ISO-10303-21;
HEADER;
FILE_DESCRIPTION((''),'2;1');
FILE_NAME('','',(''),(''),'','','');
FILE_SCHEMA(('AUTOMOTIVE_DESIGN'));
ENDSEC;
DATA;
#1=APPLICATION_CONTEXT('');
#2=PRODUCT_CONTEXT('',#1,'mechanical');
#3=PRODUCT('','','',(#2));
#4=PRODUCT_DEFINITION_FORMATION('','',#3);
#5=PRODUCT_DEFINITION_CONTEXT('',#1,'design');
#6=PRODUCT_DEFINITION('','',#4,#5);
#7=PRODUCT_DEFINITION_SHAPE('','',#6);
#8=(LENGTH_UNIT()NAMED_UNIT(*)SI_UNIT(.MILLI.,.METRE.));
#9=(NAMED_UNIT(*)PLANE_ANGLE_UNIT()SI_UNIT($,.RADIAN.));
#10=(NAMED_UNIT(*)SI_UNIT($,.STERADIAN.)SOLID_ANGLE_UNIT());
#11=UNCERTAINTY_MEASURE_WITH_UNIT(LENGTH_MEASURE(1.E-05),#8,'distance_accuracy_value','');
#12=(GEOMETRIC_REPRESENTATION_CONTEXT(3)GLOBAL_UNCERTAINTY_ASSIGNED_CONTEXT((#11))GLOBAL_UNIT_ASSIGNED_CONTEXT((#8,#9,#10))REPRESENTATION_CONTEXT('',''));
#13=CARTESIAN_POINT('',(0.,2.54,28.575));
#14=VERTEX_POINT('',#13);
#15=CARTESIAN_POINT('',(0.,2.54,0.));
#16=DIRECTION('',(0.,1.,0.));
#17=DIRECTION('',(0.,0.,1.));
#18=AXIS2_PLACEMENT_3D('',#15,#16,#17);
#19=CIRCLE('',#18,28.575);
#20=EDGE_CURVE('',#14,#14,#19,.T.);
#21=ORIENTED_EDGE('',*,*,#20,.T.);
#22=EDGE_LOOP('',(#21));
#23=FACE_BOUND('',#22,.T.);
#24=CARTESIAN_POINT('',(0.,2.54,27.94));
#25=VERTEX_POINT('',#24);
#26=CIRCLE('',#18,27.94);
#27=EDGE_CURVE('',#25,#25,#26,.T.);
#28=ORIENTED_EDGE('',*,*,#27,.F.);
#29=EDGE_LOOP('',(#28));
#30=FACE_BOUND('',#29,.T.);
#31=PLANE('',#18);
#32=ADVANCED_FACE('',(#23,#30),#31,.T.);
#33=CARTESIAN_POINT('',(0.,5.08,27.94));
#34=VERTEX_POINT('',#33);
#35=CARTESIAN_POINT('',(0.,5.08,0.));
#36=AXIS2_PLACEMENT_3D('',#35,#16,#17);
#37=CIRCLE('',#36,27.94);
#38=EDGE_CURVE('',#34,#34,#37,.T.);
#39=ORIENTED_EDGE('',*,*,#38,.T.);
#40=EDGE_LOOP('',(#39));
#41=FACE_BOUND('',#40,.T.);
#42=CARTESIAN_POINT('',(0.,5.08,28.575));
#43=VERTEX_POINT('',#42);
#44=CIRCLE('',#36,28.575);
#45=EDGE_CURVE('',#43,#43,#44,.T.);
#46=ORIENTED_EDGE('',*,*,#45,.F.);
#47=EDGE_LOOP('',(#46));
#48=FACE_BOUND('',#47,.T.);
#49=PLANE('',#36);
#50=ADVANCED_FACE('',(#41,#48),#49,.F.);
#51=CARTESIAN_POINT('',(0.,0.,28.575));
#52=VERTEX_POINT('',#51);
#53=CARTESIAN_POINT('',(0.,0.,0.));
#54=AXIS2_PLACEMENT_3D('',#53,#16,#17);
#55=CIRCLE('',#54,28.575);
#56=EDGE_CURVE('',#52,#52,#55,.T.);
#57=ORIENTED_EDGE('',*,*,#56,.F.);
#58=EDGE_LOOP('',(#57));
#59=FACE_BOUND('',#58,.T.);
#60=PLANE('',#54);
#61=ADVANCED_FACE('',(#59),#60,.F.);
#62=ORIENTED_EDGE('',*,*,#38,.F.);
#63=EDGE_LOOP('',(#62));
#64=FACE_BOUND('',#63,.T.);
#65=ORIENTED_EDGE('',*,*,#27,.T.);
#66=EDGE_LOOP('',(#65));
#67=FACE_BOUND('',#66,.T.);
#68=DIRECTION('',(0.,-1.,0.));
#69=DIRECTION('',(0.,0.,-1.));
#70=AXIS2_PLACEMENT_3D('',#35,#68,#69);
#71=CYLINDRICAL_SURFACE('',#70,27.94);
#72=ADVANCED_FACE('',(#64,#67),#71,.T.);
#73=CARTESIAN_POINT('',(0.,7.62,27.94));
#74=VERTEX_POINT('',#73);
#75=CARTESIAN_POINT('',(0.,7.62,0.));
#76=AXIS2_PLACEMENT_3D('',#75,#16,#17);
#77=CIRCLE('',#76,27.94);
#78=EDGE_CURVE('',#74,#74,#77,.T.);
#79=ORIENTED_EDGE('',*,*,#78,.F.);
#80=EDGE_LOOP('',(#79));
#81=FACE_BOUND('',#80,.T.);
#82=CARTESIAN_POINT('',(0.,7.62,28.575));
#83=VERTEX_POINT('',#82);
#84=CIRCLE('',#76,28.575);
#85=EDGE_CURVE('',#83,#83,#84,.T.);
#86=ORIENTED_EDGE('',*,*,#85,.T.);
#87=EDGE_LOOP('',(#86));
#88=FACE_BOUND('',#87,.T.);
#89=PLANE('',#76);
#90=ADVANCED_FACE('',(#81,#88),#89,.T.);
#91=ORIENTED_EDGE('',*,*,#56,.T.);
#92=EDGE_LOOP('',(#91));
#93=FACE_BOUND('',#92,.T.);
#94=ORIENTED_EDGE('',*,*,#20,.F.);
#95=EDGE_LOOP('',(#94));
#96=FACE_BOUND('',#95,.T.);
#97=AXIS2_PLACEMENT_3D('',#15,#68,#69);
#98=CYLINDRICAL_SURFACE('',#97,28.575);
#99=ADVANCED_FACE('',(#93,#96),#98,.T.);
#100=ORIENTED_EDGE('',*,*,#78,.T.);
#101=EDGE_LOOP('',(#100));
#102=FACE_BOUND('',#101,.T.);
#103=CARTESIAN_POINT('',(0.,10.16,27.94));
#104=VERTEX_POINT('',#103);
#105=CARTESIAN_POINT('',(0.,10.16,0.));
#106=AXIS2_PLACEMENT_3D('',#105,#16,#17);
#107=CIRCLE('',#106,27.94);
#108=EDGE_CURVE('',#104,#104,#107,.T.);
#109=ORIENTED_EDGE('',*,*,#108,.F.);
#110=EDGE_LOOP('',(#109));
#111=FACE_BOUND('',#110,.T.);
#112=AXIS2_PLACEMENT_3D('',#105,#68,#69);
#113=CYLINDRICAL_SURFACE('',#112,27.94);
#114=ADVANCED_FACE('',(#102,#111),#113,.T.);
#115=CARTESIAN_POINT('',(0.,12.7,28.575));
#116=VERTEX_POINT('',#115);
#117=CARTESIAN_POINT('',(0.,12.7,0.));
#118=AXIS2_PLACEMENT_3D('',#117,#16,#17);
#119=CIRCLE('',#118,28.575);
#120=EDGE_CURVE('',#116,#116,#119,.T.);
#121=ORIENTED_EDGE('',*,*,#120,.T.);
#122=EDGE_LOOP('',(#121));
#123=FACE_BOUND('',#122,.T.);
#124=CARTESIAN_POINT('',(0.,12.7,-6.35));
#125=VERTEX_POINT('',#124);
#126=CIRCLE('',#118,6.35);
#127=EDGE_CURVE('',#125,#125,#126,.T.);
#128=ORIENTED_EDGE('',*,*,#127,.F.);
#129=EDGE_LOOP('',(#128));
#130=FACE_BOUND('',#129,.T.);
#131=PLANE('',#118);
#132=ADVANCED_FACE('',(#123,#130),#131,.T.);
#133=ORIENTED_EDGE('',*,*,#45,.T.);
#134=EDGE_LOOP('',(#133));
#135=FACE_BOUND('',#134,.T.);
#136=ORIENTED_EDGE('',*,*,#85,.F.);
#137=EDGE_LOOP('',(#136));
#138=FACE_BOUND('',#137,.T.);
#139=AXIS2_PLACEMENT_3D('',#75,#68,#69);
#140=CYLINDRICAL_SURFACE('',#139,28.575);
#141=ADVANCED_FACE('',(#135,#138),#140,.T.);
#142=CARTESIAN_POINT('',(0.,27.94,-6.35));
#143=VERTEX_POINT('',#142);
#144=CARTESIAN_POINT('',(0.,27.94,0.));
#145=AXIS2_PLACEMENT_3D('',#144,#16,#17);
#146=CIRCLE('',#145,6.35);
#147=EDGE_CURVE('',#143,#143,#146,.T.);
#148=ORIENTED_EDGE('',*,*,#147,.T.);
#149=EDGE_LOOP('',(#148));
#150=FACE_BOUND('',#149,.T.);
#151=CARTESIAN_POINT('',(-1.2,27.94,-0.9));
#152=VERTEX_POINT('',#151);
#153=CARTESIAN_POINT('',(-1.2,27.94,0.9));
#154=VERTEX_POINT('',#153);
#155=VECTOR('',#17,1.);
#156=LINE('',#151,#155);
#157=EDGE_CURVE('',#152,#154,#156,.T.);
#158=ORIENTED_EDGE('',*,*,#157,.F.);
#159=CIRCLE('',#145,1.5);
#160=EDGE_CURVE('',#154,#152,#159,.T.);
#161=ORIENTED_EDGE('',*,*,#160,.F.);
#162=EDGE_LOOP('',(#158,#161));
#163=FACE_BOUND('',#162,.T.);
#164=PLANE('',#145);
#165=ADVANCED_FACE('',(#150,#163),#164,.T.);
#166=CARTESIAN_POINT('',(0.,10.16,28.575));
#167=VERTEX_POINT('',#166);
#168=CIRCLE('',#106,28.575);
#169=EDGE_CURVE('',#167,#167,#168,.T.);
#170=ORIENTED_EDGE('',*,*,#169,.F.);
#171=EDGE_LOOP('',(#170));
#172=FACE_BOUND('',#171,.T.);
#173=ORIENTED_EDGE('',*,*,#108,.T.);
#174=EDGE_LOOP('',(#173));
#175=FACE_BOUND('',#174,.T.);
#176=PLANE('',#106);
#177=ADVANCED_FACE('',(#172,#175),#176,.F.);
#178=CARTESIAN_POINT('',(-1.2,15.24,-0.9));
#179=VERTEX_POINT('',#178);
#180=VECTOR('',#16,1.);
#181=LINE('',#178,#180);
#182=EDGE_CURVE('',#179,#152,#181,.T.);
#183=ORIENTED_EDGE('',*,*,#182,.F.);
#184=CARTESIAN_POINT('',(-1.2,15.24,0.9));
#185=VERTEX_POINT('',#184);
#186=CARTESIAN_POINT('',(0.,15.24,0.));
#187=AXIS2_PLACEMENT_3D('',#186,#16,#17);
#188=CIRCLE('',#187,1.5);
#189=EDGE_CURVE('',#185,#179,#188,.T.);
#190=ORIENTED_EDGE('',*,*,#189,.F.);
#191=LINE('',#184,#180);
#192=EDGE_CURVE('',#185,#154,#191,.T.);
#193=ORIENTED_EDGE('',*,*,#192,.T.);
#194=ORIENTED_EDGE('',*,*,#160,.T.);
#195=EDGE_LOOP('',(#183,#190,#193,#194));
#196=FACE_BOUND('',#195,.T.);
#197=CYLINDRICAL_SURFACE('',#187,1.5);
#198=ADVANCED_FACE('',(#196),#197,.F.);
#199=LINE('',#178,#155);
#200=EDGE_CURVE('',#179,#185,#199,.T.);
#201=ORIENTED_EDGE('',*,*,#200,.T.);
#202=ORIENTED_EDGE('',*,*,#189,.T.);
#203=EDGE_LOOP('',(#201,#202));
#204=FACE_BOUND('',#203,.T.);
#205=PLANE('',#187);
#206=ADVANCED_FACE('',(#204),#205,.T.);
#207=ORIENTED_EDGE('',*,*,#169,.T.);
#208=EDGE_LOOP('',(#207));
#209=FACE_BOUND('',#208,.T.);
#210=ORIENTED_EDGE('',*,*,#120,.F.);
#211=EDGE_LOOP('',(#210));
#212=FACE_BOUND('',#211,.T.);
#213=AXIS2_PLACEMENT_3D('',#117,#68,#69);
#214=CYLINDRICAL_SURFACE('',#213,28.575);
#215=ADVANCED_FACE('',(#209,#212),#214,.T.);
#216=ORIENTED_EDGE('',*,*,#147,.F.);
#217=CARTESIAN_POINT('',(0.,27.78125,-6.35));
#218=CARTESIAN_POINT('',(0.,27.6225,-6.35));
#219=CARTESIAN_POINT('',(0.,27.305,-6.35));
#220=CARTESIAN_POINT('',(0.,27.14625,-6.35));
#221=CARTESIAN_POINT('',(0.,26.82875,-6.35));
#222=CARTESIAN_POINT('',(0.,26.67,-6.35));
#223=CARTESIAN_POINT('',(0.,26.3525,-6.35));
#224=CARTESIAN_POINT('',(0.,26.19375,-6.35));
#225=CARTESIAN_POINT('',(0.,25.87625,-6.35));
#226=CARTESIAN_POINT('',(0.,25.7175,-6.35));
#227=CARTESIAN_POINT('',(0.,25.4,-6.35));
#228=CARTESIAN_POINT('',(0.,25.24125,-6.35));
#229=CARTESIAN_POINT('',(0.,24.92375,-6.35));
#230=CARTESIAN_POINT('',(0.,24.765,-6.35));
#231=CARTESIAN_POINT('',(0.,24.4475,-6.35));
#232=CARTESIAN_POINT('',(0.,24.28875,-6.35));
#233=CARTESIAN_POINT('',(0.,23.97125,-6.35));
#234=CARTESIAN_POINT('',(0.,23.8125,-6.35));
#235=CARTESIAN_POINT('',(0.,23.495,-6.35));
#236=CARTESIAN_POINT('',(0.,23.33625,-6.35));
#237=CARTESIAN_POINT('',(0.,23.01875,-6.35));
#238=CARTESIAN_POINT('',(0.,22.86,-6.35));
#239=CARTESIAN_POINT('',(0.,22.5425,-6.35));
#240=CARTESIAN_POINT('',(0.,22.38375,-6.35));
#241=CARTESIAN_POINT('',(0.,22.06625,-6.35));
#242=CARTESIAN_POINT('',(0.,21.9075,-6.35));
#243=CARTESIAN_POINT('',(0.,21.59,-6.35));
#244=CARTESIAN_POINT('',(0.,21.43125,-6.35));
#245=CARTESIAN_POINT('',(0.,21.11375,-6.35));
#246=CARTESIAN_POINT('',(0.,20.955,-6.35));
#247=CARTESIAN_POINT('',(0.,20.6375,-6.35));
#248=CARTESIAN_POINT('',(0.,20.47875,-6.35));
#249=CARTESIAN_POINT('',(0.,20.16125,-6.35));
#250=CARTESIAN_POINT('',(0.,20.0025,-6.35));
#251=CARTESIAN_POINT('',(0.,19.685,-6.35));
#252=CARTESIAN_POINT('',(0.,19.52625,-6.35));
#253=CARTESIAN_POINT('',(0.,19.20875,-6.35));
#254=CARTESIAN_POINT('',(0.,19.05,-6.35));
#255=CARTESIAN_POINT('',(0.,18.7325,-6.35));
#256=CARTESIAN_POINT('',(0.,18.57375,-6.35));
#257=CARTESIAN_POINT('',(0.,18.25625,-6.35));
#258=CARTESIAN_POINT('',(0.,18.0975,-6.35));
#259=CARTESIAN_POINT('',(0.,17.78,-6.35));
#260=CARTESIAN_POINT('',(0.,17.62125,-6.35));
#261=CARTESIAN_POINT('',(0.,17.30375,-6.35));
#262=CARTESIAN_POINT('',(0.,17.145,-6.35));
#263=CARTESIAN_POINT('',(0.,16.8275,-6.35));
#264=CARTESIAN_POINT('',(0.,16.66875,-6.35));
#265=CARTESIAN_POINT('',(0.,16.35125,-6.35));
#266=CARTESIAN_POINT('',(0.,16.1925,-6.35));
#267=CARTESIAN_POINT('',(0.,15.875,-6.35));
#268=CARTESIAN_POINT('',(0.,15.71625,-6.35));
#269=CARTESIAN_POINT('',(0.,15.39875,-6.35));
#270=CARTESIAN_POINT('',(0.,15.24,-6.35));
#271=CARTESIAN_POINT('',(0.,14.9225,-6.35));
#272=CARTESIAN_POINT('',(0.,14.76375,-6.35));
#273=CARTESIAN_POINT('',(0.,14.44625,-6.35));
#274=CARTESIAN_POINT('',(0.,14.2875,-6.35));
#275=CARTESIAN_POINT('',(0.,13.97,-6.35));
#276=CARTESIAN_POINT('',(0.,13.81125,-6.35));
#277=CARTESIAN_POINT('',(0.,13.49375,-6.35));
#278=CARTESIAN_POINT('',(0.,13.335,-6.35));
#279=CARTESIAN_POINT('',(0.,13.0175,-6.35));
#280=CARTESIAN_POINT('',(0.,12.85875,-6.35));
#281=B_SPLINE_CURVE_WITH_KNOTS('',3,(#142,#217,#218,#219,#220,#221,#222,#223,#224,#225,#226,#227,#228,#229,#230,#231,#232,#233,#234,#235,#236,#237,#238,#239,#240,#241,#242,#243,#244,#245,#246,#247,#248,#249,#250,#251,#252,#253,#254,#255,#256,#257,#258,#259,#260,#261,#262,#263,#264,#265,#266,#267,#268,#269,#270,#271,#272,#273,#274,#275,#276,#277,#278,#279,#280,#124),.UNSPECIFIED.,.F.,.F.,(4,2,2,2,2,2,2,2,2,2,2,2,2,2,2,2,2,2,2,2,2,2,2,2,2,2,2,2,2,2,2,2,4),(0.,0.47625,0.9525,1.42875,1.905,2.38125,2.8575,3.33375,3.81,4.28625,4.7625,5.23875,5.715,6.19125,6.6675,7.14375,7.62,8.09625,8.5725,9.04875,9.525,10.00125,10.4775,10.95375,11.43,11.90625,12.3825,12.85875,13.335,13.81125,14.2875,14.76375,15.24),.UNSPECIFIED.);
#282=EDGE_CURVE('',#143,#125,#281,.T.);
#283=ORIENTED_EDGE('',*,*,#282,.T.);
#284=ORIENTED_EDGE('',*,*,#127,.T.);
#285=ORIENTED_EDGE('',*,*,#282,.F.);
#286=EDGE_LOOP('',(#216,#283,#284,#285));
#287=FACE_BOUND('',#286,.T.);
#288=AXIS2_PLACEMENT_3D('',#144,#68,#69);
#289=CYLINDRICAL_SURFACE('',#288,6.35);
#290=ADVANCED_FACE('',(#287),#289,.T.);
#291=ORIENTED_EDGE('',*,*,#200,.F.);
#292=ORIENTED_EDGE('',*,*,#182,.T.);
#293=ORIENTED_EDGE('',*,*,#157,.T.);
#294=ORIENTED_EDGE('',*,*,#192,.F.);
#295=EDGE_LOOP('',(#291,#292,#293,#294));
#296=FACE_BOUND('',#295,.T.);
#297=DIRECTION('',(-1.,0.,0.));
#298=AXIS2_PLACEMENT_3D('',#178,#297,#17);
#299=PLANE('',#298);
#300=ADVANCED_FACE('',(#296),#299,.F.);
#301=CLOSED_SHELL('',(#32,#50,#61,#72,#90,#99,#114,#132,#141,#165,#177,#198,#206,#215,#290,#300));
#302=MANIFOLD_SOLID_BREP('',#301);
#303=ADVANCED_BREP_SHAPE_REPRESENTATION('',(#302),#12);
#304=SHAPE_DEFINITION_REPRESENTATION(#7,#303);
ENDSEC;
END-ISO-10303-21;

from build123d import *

# Parameters (mm, degrees)
SKETCH1_R           = 28.575
BOSS_EXTRUDE1_DEPTH = 2.54
SKETCH2_R           = 27.94
BOSS_EXTRUDE2_DEPTH = 2.54
SKETCH3_R           = 28.575
BOSS_EXTRUDE3_DEPTH = 2.54
SKETCH4_R           = 27.94
BOSS_EXTRUDE4_DEPTH = 2.54
SKETCH5_R           = 28.575
BOSS_EXTRUDE5_DEPTH = 2.54
SKETCH6_R           = 6.35
BOSS_EXTRUDE6_DEPTH = 15.24
CUT_EXTRUDE1_DEPTH  = 12.7


with BuildPart() as part:
    # Sketch1 → Boss-Extrude1 (new body)
    with BuildSketch(Plane(origin=(0, 0, 0), x_dir=(1, 0, 0), z_dir=(0, 1, 0))):
        with Locations(Location((0, 0, 0), (0, 0, 270))):
            Circle(SKETCH1_R)
    extrude(amount=BOSS_EXTRUDE1_DEPTH)

    # Sketch2 → Boss-Extrude2 (add)
    with BuildSketch(Plane(origin=(0, 2.54, 0), x_dir=(1, 0, 0), z_dir=(0, 1, 0))):
        with Locations(Location((0, 0, 0), (0, 0, 270))):
            Circle(SKETCH2_R)
    extrude(amount=BOSS_EXTRUDE2_DEPTH)

    # Sketch3 → Boss-Extrude3 (add)
    with BuildSketch(Plane(origin=(0, 5.08, 0), x_dir=(1, 0, 0), z_dir=(0, 1, 0))):
        with Locations(Location((0, 0, 0), (0, 0, 270))):
            Circle(SKETCH3_R)
    extrude(amount=BOSS_EXTRUDE3_DEPTH)

    # Sketch4 → Boss-Extrude4 (add)
    with BuildSketch(Plane(origin=(0, 7.62, 0), x_dir=(1, 0, 0), z_dir=(0, 1, 0))):
        with Locations(Location((0, 0, 0), (0, 0, 270))):
            Circle(SKETCH4_R)
    extrude(amount=BOSS_EXTRUDE4_DEPTH)

    # Sketch5 → Boss-Extrude5 (add)
    with BuildSketch(Plane(origin=(0, 10.16, 0), x_dir=(1, 0, 0), z_dir=(0, 1, 0))):
        with Locations(Location((0, 0, 0), (0, 0, 270))):
            Circle(SKETCH5_R)
    extrude(amount=BOSS_EXTRUDE5_DEPTH)

    # Sketch6 → Boss-Extrude6 (add)
    with BuildSketch(Plane(origin=(0, 12.7, 0), x_dir=(1, 0, 0), z_dir=(0, 1, 0))):
        with Locations(Location((0, 0, 0), (0, 0, 90))):
            Circle(SKETCH6_R)
    extrude(amount=BOSS_EXTRUDE6_DEPTH)

    # Sketch7 → Cut-Extrude1 (cut)
    with BuildSketch(Plane(origin=(0, 27.94, 0), x_dir=(1, 0, 0), z_dir=(0, 1, 0))):
        with BuildLine():
            Line((-1.200000076, 0.899999978), (-1.200000076, -0.899999978))
            ThreePointArc((-1.200000076, -0.899999978), (1.500000048, 0), (-1.200000076, 0.899999978))
        make_face()
    extrude(amount=-CUT_EXTRUDE1_DEPTH, mode=Mode.SUBTRACT)


solid = part.part
